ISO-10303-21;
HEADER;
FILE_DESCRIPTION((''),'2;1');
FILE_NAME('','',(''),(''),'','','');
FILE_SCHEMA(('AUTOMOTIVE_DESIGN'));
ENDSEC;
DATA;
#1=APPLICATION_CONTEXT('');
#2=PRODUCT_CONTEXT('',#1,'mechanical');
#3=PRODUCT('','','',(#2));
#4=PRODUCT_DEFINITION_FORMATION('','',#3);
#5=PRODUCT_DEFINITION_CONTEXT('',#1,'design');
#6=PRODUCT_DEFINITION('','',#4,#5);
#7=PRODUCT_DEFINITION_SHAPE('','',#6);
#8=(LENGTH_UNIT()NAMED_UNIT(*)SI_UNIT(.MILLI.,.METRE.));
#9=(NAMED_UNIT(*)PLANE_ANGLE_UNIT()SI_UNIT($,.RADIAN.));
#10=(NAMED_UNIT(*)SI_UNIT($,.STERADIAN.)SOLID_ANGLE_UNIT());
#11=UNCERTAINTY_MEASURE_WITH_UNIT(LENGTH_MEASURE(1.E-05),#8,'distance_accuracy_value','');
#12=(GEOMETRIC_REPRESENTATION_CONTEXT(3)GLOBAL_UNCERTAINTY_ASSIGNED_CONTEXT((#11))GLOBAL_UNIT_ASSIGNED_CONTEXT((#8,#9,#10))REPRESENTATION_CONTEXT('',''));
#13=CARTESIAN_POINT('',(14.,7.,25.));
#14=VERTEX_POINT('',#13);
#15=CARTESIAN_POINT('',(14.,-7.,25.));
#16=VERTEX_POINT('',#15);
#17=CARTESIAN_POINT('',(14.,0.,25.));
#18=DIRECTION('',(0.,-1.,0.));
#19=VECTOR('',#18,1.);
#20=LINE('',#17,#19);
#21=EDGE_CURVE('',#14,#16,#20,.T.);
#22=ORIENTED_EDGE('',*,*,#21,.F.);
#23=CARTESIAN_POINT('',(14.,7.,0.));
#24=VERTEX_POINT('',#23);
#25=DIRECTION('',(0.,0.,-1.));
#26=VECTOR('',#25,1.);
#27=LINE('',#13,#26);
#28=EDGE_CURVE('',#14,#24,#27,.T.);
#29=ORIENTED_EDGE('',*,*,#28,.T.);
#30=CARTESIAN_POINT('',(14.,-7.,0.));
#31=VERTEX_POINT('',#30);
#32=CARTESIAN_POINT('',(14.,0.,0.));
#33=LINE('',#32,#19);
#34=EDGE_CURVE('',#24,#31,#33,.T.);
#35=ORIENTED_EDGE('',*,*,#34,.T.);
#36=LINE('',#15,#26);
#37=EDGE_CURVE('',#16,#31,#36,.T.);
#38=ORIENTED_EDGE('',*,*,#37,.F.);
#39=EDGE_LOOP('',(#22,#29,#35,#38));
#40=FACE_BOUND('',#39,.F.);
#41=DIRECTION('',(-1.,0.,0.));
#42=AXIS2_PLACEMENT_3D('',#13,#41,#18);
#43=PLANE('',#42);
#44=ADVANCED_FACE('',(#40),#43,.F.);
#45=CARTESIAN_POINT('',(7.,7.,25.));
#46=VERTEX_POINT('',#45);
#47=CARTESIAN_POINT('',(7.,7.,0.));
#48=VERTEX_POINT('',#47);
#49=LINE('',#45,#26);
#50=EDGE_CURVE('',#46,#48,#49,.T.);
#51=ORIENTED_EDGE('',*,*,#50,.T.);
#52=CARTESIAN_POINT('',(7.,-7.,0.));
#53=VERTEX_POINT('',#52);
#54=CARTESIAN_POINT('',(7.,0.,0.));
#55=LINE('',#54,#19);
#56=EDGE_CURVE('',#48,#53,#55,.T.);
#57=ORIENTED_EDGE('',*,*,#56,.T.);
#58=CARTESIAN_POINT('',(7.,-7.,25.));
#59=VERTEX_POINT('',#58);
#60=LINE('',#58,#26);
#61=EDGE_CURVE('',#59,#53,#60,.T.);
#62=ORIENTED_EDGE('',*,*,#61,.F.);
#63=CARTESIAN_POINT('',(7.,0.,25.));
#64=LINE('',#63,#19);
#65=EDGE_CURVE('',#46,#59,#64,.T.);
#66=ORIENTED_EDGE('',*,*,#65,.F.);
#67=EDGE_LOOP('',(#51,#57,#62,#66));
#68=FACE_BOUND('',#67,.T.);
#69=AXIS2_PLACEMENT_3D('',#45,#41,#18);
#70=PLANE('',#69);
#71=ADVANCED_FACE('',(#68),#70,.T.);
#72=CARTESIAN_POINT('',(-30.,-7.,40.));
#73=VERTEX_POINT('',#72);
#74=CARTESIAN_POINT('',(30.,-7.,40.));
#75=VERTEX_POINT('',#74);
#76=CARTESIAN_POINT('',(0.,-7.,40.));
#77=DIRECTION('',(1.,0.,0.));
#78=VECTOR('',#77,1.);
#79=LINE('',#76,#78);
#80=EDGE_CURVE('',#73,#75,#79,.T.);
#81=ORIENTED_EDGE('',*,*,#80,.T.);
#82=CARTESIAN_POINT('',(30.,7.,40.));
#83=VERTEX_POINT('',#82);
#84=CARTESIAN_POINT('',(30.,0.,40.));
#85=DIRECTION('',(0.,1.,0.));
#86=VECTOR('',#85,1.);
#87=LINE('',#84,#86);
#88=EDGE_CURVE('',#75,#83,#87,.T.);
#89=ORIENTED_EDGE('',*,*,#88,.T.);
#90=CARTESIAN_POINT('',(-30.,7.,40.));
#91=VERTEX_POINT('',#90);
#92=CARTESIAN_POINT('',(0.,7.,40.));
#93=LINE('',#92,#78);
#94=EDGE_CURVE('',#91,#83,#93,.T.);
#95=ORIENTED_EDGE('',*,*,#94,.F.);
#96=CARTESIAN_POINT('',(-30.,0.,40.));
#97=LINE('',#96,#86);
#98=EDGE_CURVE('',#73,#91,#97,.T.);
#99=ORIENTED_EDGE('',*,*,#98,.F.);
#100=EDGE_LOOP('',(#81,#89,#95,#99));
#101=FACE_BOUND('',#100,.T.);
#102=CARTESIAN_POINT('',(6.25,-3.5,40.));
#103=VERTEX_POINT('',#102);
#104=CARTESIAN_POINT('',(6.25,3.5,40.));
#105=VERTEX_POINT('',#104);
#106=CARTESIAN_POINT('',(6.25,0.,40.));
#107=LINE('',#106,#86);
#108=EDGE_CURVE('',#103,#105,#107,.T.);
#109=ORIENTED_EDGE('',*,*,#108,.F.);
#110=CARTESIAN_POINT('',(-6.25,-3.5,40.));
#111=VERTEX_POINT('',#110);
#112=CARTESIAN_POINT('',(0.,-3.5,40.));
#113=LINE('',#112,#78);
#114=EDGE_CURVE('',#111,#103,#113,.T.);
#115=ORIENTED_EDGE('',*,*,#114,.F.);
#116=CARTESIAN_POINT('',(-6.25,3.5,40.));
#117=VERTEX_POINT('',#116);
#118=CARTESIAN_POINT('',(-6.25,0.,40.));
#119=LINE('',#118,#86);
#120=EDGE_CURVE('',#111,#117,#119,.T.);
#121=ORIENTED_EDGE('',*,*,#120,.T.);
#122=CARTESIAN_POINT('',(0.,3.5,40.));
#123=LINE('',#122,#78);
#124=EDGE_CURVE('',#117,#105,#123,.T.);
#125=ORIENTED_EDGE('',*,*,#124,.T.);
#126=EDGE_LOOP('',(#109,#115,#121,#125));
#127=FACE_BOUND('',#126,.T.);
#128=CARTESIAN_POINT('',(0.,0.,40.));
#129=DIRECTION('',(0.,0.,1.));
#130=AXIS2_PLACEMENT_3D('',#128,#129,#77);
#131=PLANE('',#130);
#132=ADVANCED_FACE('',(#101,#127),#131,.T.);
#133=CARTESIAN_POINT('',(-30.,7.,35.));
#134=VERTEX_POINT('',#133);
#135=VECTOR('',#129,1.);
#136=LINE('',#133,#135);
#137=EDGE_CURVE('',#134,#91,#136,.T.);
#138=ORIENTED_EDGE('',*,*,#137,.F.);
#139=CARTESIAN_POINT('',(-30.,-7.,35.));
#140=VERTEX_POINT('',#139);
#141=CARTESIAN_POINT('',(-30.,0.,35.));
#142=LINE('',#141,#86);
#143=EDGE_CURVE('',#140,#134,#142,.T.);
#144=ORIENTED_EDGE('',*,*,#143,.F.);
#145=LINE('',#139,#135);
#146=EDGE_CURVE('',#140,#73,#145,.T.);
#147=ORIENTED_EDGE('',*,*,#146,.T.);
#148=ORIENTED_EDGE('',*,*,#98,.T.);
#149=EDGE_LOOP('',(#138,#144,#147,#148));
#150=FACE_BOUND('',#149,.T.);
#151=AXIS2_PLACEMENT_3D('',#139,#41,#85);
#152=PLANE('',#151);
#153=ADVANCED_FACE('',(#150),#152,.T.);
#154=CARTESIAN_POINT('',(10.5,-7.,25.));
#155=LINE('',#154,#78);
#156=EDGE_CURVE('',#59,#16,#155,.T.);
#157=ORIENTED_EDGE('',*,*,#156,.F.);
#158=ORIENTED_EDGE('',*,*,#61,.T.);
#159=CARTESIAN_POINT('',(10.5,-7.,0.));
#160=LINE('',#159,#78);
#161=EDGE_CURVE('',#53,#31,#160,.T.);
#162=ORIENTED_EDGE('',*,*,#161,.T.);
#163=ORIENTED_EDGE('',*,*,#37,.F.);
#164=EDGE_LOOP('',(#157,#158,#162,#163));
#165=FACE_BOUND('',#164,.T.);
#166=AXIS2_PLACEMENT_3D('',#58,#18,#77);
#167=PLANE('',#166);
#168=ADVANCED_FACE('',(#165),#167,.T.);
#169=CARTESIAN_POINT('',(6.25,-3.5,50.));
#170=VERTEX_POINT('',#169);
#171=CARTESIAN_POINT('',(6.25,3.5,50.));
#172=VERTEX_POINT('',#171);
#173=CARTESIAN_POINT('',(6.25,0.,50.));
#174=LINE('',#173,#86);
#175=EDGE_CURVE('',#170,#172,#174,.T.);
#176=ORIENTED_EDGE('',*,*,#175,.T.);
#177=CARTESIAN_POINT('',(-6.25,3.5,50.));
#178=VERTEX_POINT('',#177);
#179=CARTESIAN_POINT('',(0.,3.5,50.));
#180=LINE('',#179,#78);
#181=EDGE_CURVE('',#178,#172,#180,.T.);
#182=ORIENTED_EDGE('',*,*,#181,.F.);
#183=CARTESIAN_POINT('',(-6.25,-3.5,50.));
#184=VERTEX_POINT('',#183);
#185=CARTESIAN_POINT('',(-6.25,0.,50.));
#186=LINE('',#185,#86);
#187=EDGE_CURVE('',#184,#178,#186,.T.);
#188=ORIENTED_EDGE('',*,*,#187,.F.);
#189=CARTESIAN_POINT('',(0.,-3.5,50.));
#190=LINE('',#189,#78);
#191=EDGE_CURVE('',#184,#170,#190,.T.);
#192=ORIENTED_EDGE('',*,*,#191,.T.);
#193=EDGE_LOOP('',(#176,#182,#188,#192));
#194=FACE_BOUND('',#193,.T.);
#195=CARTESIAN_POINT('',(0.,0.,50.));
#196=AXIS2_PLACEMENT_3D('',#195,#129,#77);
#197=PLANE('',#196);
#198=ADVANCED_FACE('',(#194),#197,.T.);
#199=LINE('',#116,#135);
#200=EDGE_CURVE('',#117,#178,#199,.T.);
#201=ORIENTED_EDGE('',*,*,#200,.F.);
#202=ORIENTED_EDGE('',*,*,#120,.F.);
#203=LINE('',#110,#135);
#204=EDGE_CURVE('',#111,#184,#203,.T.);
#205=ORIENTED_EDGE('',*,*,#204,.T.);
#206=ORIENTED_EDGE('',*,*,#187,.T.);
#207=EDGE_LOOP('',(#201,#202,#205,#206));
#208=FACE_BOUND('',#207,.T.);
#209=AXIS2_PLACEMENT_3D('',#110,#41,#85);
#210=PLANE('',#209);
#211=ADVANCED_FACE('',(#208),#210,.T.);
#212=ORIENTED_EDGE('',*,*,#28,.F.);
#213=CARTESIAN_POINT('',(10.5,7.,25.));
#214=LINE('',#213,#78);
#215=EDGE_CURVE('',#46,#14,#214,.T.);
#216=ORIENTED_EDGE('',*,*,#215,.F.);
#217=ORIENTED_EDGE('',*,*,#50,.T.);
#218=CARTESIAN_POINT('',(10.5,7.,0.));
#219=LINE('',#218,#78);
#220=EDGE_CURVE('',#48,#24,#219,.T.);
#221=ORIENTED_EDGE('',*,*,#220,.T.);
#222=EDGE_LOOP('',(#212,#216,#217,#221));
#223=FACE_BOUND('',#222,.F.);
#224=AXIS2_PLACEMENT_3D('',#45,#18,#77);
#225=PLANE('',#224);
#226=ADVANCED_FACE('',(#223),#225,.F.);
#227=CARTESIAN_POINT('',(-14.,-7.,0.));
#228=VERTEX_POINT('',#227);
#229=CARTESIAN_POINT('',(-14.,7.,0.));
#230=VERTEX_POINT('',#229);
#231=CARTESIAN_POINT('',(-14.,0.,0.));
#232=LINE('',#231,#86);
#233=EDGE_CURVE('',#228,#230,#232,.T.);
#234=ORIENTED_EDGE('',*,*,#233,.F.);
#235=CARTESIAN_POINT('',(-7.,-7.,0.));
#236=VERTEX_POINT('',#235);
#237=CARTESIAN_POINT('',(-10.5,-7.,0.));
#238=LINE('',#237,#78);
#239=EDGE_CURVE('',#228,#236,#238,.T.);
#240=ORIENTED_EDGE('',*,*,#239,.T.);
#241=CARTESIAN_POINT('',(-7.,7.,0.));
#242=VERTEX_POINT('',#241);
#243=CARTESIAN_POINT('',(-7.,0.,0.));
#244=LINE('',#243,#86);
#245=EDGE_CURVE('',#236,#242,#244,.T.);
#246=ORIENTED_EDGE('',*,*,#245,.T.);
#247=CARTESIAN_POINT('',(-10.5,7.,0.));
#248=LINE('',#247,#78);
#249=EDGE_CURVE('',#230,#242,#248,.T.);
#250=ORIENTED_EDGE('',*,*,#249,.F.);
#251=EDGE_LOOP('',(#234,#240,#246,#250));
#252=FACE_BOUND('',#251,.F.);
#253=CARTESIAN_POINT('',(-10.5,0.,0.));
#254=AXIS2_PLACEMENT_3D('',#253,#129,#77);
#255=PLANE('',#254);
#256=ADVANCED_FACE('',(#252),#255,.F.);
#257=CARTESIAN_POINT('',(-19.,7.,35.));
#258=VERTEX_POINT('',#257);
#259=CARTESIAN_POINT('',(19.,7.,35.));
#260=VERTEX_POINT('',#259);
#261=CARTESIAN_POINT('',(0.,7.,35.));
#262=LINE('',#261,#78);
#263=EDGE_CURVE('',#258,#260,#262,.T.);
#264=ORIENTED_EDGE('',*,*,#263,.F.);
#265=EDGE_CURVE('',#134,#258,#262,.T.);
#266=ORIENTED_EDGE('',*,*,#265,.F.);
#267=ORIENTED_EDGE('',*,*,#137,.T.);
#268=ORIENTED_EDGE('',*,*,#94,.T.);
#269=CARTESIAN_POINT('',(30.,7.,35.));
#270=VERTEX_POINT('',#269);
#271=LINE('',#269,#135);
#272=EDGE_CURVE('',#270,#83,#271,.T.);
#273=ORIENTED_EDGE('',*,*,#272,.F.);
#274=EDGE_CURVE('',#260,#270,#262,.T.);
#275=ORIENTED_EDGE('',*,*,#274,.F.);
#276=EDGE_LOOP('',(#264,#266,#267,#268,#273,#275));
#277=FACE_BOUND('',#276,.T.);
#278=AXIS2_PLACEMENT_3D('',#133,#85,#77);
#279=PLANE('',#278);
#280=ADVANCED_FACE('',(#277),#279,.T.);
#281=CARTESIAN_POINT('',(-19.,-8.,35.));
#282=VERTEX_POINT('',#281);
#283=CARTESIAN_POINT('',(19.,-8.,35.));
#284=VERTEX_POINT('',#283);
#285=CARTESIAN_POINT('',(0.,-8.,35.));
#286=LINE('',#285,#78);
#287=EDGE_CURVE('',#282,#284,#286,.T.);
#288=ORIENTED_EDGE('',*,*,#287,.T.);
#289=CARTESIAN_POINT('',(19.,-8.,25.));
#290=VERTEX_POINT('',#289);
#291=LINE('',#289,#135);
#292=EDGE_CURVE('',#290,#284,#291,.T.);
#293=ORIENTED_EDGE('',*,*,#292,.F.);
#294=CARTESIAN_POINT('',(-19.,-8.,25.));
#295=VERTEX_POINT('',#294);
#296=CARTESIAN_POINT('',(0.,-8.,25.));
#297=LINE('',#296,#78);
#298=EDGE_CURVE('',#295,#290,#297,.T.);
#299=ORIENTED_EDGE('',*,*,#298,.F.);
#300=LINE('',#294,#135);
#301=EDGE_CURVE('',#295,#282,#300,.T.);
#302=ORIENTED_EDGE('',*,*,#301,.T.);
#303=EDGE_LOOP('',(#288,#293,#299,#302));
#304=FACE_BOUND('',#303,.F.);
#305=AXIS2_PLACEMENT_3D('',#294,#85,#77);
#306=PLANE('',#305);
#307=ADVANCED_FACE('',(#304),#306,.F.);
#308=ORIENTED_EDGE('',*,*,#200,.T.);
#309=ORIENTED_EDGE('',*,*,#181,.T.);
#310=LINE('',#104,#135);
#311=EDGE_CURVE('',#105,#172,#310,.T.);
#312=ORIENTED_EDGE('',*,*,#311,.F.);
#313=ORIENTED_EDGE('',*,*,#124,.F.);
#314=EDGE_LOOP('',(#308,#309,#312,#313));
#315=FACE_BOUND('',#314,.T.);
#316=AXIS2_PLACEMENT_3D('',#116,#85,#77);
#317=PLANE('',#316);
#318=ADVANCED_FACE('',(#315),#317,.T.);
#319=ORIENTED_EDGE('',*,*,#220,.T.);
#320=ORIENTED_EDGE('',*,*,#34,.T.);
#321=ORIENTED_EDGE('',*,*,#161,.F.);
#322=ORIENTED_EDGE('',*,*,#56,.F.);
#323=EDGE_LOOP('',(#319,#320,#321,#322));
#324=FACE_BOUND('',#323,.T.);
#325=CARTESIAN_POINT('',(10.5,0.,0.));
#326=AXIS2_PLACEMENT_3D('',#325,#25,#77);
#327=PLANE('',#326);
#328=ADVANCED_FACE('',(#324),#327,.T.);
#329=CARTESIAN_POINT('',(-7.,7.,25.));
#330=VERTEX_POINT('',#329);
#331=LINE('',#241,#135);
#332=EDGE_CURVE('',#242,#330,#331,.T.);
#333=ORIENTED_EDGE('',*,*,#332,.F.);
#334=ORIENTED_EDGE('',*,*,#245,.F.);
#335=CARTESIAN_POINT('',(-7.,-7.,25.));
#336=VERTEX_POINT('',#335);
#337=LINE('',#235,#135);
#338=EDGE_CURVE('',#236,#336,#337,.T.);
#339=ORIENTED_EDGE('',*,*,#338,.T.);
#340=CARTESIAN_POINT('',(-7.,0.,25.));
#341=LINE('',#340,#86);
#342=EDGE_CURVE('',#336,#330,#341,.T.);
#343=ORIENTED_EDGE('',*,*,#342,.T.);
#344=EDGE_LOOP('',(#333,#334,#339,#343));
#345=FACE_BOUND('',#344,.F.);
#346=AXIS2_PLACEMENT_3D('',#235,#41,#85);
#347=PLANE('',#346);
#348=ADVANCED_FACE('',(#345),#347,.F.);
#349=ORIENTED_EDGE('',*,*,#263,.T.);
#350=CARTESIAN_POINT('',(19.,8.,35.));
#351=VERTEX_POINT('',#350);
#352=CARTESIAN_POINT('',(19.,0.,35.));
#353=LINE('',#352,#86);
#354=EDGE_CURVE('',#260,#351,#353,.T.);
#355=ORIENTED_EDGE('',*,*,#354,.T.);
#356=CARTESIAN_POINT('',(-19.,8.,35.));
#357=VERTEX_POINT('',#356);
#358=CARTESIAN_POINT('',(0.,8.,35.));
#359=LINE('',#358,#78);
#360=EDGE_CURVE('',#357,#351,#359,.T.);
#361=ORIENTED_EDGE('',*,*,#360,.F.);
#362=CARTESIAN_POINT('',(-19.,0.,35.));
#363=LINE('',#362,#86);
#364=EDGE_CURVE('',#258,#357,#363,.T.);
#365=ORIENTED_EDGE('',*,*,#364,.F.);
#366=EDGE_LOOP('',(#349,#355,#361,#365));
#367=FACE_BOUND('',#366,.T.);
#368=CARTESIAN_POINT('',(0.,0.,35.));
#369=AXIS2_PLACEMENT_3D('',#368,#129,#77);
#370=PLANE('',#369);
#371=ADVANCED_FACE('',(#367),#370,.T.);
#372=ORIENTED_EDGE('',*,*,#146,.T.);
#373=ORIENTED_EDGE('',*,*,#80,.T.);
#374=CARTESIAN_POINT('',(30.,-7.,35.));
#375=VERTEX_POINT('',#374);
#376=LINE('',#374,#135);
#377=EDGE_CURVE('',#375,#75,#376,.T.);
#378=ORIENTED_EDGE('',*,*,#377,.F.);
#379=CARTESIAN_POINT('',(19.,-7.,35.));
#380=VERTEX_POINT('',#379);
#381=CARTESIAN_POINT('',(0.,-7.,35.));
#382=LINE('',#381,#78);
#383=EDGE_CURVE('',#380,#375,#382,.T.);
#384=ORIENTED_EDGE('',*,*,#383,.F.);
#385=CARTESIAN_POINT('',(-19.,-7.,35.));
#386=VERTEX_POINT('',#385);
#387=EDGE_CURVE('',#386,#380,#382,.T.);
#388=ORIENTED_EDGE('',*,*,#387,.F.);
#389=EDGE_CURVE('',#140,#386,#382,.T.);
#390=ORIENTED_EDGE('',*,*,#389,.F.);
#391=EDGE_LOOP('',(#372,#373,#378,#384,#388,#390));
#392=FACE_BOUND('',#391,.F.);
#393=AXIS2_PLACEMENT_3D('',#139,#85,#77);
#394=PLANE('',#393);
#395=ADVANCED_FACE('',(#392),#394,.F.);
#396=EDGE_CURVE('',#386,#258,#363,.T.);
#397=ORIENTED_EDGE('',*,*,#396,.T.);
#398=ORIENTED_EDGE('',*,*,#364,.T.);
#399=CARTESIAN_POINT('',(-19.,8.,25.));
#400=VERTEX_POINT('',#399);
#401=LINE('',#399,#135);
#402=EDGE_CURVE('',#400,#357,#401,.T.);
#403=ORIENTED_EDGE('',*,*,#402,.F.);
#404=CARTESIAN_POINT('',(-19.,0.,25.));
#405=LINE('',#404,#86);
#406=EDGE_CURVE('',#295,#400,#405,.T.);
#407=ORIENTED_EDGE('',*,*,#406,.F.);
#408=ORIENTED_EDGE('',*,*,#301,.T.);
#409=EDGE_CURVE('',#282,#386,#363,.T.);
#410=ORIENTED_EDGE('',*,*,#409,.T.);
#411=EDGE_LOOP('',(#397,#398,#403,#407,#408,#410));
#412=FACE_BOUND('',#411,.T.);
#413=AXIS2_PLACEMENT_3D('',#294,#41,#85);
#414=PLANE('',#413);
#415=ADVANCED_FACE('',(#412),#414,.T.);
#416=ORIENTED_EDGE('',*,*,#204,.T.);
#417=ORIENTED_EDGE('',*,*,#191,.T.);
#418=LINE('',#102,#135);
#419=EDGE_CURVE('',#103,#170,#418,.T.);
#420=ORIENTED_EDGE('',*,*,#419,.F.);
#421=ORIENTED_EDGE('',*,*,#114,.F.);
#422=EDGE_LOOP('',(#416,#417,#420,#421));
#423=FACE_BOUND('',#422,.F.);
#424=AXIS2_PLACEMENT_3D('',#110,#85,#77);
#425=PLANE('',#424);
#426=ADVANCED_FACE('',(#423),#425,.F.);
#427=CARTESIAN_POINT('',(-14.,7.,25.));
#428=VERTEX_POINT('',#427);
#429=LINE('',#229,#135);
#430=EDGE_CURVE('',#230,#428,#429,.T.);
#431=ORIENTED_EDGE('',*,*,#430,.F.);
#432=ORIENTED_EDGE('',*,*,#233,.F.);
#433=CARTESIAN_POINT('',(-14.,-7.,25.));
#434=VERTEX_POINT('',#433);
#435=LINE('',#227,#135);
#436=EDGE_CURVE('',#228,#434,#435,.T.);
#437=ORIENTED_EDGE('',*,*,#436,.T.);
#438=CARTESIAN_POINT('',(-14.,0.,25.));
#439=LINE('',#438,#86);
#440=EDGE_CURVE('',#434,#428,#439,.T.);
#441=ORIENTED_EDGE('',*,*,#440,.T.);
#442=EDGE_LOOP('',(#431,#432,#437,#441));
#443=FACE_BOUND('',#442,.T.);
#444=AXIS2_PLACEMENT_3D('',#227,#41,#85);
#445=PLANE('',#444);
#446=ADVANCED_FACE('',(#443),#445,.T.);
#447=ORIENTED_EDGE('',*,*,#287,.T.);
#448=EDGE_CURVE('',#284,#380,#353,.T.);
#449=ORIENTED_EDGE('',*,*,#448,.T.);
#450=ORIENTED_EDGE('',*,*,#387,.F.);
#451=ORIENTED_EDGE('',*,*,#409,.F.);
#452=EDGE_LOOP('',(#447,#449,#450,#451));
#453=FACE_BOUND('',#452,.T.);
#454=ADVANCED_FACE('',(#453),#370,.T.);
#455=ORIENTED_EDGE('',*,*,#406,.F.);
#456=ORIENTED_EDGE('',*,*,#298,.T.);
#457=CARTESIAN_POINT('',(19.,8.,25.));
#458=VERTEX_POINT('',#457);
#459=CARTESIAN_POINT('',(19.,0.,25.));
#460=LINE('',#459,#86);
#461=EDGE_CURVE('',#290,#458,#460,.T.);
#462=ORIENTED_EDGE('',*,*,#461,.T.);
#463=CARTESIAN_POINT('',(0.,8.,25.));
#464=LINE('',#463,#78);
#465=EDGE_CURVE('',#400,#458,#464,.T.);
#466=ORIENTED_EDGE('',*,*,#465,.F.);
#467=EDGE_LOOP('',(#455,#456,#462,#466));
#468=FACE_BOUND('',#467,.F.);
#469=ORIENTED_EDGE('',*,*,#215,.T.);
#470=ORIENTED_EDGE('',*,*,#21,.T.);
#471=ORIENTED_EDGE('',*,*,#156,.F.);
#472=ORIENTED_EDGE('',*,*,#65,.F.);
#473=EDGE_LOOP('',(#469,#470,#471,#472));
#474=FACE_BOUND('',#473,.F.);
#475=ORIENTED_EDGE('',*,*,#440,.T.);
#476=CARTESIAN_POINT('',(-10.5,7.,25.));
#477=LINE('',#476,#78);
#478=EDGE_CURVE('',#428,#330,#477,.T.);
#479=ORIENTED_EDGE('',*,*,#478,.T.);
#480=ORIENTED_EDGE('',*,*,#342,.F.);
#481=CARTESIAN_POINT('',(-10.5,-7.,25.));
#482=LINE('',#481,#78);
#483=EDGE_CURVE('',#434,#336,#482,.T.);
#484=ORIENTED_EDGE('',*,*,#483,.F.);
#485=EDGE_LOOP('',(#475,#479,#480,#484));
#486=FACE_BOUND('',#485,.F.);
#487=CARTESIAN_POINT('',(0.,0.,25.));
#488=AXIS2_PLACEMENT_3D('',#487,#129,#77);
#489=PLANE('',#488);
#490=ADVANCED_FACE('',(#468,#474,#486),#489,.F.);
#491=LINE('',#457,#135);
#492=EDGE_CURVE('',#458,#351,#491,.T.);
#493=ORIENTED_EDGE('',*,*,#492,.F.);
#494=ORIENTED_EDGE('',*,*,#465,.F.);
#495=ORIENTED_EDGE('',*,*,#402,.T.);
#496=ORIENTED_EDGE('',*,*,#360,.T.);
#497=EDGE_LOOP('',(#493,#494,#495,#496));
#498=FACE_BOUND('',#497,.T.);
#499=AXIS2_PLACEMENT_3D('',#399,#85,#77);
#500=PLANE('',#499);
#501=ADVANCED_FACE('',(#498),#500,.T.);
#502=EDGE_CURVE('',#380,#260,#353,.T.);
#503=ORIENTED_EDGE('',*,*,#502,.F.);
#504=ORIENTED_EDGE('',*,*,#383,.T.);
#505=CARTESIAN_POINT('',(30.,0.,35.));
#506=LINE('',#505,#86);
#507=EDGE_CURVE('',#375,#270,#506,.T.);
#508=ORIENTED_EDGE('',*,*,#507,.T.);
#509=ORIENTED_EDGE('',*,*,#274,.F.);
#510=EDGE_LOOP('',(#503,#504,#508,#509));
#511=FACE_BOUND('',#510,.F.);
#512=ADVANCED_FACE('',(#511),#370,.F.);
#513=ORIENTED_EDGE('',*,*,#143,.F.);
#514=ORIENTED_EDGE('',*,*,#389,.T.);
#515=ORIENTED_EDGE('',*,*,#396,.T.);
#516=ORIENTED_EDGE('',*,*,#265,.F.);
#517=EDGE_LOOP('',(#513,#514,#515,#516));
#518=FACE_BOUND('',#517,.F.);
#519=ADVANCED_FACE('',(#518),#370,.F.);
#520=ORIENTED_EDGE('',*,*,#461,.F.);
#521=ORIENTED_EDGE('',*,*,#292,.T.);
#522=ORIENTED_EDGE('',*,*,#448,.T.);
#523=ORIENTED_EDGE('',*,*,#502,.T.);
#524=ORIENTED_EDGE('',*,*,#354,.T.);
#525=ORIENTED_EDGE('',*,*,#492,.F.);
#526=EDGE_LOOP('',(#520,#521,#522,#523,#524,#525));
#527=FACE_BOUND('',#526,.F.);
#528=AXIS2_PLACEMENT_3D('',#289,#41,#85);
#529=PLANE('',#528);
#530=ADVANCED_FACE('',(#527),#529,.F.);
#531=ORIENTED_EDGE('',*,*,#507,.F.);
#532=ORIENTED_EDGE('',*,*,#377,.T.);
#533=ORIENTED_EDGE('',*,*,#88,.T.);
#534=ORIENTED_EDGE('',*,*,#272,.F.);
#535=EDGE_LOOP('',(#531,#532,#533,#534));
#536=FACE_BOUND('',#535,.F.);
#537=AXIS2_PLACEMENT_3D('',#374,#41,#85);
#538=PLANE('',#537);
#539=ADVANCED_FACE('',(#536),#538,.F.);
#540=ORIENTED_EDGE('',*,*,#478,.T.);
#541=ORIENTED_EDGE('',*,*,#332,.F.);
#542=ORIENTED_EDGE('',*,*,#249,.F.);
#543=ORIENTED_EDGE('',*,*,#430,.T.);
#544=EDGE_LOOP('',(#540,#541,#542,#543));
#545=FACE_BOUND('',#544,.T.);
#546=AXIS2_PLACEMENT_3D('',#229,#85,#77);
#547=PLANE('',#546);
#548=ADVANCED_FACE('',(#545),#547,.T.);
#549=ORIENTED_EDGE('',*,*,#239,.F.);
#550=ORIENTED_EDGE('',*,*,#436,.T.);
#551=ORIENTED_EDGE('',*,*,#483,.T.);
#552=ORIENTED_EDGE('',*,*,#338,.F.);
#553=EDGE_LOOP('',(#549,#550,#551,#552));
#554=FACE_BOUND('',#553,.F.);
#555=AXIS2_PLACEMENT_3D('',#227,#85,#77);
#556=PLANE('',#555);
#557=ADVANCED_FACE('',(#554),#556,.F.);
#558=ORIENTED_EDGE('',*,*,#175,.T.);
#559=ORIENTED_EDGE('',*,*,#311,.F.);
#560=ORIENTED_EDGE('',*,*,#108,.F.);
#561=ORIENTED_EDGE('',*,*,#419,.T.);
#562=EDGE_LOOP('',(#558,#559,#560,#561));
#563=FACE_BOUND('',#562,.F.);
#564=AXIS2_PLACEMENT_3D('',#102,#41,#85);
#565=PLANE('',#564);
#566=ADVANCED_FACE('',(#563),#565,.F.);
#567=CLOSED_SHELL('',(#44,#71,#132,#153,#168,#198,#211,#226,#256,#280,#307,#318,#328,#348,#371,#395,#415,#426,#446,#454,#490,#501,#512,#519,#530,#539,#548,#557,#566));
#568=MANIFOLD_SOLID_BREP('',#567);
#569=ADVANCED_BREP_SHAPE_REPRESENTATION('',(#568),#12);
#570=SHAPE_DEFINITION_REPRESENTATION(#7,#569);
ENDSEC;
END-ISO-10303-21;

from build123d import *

# Parameters (mm, degrees)
F0_W     = 7
F0_H     = 14
F1_DEPTH = 25
F2_W     = 38
F2_H     = 16
F3_DEPTH = 10
F4_W     = 60
F4_H     = 14
F5_DEPTH = 5
F6_W     = 12.5
F6_H     = 7
F7_DEPTH = 10
F8_W     = 7
F8_H     = 14
F9_DEPTH = 25


with BuildPart() as f1:
    # F0 (on Top) → F1 (new body)
    with BuildSketch(Plane.XY):
        with Locations((-10.5, 0)):
            Rectangle(F0_W, F0_H)
    extrude(amount=F1_DEPTH)

    # F2 (on face) → F3 (join)
    with BuildSketch(Plane.XY.offset(25)):
        Rectangle(F2_W, F2_H)
    extrude(amount=F3_DEPTH)

    # F4 (on face) → F5 (join)
    with BuildSketch(Plane.XY.offset(35)):
        Rectangle(F4_W, F4_H)
    extrude(amount=F5_DEPTH)

    # F6 (on face) → F7 (join)
    with BuildSketch(Plane.XY.offset(40)):
        Rectangle(F6_W, F6_H)
    extrude(amount=F7_DEPTH)

    # F8 (on face) → F9 (join, through all)
    with BuildSketch(Plane(origin=(0, 0, 25), x_dir=(1, 0, 0), z_dir=(0, 0, -1))):
        with Locations((10.5, 0)):
            Rectangle(F8_W, F8_H)
    extrude(amount=F9_DEPTH)


solid = f1.part
